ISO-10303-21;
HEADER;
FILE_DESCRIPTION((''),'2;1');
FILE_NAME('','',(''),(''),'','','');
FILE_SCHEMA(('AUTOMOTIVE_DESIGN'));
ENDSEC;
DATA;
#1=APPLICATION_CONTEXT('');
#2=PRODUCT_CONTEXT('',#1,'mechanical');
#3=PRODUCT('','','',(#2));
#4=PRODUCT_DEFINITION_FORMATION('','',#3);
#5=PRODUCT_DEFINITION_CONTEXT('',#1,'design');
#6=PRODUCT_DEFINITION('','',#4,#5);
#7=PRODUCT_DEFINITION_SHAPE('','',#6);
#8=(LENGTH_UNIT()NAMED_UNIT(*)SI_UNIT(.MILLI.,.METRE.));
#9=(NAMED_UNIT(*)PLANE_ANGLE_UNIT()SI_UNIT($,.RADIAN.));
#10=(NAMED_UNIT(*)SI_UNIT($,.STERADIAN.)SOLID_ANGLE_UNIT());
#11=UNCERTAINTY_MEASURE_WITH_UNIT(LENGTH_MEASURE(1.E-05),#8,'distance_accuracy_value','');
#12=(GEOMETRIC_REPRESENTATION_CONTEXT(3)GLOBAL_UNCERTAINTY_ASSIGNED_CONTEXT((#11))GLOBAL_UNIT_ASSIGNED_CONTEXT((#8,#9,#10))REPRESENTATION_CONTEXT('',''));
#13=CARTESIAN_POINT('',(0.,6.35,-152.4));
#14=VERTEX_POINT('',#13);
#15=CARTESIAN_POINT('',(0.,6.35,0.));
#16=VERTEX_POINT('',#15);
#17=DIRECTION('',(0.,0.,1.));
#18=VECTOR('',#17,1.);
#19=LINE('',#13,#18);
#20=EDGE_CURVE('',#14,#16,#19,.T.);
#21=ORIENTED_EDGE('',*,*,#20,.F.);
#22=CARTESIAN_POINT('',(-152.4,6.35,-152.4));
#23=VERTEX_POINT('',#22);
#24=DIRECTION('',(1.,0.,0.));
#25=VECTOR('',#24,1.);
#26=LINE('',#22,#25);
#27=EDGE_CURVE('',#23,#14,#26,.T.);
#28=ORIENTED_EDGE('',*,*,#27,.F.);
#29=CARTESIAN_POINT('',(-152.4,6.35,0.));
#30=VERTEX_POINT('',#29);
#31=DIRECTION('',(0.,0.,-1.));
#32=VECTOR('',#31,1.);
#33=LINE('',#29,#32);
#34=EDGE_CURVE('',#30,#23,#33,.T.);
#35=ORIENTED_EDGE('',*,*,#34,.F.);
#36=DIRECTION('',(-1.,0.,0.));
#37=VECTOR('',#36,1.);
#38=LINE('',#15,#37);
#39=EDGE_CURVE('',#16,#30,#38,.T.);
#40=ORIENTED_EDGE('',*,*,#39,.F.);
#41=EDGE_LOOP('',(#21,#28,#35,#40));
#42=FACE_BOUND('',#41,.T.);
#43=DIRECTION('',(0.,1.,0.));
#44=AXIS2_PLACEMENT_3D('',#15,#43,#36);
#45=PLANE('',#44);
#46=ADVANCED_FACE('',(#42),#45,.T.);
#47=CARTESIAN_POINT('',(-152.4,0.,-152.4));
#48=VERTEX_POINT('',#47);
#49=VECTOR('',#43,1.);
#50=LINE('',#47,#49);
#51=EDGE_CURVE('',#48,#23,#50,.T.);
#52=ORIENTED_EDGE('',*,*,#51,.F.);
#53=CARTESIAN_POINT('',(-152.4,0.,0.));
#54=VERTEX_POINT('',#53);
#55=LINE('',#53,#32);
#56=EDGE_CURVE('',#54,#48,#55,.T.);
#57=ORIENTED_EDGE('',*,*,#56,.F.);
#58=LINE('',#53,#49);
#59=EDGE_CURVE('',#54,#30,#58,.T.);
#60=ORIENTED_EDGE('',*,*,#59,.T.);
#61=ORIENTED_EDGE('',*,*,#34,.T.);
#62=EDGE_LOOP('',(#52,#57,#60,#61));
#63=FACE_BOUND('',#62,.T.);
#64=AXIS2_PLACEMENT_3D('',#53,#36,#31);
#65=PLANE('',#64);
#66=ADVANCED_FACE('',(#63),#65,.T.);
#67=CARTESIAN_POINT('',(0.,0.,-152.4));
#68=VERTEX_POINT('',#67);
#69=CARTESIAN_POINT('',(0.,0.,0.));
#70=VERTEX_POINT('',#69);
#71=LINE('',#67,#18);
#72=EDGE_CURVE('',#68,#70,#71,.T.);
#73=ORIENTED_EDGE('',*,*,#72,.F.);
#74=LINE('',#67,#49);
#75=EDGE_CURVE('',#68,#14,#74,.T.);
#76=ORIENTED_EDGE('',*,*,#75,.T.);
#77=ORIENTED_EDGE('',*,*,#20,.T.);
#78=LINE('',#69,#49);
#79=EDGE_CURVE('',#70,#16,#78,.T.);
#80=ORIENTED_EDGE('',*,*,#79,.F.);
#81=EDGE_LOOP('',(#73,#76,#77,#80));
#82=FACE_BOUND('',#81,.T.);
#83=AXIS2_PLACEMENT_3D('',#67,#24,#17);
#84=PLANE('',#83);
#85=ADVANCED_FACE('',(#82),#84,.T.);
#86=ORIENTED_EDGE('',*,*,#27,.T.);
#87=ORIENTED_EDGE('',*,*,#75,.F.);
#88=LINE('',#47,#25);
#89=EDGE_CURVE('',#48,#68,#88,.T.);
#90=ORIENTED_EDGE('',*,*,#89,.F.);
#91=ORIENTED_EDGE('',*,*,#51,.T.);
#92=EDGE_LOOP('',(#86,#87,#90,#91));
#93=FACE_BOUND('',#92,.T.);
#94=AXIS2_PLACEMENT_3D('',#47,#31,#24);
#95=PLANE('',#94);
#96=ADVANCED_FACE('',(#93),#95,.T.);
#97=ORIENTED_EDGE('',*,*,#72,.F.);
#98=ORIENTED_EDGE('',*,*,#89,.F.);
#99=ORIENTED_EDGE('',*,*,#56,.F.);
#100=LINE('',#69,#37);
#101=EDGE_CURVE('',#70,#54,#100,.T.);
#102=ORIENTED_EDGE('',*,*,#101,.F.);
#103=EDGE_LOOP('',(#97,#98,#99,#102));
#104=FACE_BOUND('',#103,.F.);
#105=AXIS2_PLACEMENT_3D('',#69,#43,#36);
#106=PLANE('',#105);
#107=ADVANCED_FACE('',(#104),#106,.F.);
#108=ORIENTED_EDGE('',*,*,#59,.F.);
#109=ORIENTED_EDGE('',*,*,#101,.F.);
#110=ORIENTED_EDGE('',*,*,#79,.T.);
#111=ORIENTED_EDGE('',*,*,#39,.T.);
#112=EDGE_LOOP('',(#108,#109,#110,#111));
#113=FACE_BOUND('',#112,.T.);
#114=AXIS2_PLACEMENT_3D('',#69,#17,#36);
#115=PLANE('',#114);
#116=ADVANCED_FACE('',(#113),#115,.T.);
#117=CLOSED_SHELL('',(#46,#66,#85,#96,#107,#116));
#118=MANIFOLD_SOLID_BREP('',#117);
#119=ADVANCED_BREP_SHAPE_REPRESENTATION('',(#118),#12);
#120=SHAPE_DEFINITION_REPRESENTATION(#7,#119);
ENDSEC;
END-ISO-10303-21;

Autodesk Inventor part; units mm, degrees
ref_plane "YZ Plane" through (0, 0, 0) normal (1, 0, 0) x (0, 1, 0)
ref_plane "XZ Plane" through (0, 0, 0) normal (0, 1, 0) x (-1, 0, 0)
ref_plane "XY Plane" through (0, 0, 0) normal (0, 0, 1) x (1, 0, 0)
sketch "Sketch1" plane through (0, 0, 0) normal (0, 1, 0) x (-1, 0, 0)
  line L0 (0, 0) -> (152.4, 0)
  line L1 (152.4, 0) -> (152.4, -152.4)
  line L2 (152.4, -152.4) -> (0, -152.4)
  line L3 (0, -152.4) -> (0, 0)
  dimension "d0" = 152.4
  dimension "d1" = 152.4
extrude "Extrusion1" add sketch "Sketch1" along normal blind 6.35
properties part number "Top_chasis"
